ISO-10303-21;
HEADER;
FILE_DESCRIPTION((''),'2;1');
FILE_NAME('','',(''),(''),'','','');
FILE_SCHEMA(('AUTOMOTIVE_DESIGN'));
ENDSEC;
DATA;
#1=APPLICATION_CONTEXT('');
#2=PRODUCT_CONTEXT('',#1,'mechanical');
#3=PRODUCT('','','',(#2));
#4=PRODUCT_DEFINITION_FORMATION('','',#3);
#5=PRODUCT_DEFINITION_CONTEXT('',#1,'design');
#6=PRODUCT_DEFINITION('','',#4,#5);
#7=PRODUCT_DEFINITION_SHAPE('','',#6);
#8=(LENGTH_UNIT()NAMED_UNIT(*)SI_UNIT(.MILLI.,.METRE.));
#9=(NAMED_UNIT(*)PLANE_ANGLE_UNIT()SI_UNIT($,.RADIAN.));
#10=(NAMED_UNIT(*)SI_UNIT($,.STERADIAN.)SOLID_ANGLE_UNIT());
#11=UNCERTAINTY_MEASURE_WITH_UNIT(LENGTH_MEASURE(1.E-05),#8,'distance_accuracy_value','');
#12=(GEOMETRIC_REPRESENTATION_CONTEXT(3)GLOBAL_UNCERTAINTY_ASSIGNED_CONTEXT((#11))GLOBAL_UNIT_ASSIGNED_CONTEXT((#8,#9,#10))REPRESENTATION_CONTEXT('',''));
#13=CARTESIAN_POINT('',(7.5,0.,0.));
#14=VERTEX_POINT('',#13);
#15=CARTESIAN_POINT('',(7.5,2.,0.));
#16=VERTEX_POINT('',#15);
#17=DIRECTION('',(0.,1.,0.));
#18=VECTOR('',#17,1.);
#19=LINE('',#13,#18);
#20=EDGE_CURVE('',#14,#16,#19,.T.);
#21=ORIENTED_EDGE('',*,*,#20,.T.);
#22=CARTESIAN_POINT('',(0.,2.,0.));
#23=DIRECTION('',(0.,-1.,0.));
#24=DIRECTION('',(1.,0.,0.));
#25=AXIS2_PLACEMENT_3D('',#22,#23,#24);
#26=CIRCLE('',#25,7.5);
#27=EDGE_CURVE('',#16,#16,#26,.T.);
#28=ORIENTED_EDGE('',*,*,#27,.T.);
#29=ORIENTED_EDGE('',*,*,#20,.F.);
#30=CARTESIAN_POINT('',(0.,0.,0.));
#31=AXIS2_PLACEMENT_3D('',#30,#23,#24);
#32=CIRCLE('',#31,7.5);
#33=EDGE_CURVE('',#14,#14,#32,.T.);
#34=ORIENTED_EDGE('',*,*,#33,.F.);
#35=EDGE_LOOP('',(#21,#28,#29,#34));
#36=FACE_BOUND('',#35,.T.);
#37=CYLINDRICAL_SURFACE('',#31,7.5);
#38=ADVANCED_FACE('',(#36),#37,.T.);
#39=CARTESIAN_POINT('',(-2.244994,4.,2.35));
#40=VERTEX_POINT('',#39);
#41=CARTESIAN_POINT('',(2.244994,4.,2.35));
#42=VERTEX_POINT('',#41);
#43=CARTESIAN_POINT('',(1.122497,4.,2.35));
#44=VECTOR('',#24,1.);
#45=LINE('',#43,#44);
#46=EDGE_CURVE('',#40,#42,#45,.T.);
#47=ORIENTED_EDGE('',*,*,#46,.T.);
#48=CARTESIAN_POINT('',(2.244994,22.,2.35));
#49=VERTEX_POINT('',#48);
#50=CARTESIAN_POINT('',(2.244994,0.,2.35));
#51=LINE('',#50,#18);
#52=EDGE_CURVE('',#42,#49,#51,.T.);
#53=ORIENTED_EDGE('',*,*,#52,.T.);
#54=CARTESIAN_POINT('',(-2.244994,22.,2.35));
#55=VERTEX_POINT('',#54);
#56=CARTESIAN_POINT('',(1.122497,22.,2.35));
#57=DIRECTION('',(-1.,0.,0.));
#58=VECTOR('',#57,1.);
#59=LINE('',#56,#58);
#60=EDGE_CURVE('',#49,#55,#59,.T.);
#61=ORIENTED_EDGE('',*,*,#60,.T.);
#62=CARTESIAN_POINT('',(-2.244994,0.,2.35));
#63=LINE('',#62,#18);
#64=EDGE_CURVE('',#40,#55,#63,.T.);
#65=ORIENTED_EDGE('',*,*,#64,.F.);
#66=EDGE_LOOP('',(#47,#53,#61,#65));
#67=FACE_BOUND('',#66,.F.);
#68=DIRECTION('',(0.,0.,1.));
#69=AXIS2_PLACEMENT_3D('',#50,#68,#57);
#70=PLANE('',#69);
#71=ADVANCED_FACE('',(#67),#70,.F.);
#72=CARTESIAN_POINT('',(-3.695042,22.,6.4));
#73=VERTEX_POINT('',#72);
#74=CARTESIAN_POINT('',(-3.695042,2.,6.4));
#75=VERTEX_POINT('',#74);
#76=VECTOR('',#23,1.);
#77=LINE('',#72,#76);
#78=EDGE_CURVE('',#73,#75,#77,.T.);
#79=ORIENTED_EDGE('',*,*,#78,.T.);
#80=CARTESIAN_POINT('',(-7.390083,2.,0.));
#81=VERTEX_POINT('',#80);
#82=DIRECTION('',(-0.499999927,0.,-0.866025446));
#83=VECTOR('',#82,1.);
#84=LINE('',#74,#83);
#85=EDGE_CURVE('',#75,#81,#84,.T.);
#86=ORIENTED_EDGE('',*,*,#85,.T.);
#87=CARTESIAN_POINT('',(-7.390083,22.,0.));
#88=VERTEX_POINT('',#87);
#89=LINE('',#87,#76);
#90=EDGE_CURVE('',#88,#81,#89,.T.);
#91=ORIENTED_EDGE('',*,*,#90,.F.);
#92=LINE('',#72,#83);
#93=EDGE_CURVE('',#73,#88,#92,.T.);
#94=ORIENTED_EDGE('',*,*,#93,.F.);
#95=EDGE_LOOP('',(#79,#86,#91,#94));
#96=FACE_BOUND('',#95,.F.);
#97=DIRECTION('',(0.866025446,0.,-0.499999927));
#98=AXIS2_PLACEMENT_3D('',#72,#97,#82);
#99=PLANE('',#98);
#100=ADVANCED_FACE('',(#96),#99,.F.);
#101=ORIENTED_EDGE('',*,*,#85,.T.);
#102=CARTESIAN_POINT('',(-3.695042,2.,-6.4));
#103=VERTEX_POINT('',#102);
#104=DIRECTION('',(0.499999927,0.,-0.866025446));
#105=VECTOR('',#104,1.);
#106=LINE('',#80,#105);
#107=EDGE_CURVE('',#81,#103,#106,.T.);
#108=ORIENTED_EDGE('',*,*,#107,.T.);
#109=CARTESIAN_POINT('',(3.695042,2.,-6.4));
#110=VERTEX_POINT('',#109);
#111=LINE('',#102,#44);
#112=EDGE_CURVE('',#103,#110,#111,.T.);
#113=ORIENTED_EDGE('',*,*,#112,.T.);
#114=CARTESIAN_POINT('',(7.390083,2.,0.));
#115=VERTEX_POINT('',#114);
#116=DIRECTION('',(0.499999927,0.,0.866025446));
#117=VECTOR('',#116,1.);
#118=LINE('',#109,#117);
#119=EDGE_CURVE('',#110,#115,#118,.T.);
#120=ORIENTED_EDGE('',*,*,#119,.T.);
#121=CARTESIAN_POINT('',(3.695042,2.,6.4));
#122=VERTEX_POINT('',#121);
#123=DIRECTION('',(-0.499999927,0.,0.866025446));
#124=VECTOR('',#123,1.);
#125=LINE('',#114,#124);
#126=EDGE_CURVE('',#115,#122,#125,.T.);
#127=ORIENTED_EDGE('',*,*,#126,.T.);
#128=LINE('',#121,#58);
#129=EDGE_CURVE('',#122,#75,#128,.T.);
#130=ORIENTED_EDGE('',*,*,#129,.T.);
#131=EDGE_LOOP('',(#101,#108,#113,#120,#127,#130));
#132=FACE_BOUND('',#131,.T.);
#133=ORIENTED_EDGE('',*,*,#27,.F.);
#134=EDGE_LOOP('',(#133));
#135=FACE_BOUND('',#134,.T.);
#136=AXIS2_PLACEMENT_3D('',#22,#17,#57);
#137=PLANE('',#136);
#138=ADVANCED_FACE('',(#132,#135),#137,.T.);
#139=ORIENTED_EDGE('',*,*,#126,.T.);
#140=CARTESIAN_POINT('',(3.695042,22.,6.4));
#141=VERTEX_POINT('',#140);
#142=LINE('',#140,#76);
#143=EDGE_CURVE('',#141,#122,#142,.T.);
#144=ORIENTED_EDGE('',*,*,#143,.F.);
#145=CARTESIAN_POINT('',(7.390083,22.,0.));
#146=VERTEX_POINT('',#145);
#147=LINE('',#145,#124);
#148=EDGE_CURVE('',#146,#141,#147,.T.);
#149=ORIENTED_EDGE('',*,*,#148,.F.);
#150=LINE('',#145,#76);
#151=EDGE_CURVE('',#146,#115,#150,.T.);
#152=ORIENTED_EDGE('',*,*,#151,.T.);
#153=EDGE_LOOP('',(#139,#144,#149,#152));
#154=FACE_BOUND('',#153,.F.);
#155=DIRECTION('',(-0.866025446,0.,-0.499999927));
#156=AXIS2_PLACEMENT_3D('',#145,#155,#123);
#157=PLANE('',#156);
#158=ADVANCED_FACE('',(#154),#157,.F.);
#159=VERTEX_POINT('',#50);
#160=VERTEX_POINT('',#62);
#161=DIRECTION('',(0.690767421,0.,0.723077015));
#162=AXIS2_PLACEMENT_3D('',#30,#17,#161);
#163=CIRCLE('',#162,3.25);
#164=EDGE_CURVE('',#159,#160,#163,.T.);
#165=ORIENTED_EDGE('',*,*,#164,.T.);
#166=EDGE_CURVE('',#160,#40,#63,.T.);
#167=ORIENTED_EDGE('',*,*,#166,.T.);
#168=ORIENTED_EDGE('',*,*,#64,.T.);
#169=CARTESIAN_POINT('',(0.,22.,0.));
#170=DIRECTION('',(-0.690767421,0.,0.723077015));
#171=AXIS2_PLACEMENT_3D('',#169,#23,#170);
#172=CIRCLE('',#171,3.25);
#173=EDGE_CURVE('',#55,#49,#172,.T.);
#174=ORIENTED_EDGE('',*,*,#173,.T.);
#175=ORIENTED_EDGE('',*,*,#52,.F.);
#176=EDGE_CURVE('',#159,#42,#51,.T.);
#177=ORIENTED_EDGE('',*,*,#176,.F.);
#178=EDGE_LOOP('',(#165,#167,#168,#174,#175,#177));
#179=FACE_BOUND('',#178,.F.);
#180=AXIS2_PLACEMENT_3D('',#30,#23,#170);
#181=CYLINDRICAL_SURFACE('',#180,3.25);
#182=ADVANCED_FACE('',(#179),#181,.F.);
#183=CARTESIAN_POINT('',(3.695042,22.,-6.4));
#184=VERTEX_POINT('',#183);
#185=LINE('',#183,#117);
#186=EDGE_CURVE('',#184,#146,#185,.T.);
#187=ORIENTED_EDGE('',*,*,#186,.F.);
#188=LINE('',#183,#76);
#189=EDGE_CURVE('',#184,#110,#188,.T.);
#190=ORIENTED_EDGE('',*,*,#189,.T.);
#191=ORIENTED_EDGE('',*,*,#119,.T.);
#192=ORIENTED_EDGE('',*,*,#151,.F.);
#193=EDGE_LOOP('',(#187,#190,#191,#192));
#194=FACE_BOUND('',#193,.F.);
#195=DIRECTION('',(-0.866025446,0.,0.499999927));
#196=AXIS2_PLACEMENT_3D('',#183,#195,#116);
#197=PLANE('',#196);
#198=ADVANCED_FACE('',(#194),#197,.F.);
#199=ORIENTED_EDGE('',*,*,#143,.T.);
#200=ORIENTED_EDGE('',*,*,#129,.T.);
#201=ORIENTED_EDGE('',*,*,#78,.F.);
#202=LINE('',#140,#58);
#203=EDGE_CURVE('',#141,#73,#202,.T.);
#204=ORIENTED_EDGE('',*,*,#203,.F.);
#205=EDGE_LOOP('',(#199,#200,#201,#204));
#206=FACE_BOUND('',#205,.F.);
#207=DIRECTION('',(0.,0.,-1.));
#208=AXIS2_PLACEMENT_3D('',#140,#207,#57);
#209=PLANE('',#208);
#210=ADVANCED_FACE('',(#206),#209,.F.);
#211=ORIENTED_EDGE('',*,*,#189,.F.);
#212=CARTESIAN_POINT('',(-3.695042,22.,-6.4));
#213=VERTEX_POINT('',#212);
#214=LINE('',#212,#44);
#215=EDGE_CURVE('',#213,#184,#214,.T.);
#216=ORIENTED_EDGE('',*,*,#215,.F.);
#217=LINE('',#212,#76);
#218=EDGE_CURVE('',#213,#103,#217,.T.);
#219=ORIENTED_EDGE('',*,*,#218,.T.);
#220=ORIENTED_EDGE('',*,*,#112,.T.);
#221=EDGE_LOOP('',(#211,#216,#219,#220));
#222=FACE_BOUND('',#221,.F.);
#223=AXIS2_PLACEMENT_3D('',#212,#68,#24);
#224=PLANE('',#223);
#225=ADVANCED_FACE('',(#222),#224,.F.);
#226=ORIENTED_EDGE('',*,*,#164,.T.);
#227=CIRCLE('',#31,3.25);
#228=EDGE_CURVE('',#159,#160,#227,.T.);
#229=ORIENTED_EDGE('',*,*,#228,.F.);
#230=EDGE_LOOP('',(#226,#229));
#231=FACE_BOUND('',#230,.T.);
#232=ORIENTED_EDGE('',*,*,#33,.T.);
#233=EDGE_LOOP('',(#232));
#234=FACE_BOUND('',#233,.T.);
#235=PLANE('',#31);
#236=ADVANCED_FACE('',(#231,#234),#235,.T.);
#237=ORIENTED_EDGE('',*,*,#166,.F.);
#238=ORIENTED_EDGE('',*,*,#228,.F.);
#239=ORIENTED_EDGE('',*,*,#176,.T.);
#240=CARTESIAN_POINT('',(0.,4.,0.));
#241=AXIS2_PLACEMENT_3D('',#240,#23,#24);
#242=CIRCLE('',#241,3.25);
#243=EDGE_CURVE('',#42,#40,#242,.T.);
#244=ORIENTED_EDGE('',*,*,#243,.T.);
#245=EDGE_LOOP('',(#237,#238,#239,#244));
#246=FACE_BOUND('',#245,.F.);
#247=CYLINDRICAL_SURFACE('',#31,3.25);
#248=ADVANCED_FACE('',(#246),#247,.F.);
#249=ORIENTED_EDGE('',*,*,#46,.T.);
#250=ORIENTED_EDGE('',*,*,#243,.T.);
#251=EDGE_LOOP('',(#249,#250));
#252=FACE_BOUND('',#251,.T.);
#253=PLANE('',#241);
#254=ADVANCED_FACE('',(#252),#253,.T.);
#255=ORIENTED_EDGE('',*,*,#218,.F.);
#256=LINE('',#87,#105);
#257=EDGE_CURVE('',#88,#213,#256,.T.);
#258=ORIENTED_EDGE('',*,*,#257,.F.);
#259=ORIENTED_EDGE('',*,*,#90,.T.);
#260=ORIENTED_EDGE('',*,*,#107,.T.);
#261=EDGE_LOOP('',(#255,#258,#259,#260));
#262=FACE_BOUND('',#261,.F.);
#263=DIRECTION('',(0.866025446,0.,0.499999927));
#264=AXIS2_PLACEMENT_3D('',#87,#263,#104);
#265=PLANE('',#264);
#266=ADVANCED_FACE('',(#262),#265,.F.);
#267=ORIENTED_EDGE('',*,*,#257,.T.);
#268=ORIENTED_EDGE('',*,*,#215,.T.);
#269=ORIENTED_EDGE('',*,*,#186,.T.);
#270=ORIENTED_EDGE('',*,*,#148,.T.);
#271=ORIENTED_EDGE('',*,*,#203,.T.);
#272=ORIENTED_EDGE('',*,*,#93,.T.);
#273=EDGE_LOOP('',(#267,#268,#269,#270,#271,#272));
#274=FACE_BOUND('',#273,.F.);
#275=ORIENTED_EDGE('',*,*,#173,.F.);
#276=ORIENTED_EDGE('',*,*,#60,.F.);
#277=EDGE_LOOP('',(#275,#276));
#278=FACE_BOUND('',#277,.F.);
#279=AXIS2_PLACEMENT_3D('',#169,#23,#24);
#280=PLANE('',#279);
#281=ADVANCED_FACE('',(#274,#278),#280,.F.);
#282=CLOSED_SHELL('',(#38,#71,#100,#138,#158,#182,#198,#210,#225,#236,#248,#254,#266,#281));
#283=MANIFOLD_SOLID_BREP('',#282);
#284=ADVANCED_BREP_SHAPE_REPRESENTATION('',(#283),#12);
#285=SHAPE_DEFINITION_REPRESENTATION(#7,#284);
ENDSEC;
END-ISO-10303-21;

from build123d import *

# Parameters (mm, degrees)
F0_R     = 7.5
F1_DEPTH = 22
F2_R     = 8
F3_DEPTH = 20
F5_DEPTH = 22.001
F6_R     = 3.25
F7_DEPTH = 4


with BuildPart() as f1:
    # F0 (on Front) → F1 (new body)
    with BuildSketch(Plane.XZ):
        Circle(F0_R)
    extrude(amount=-F1_DEPTH)

    # F2 (on face) → F3 (cut)
    with BuildSketch(Plane(origin=(0, 22, 0), x_dir=(-1, 0, 0), z_dir=(0, 1, 0))):
        Circle(F2_R)
        Polygon((3.695042, 6.4), (7.390083, 0), (3.695042, -6.4), (-3.695042, -6.4), (-7.390083, 0), (-3.695042, 6.4), align=None, mode=Mode.SUBTRACT)
    extrude(amount=-F3_DEPTH, mode=Mode.SUBTRACT)

    # F4 (on face) → F5 (cut, through all)
    with BuildSketch(Plane.XZ):
        with BuildLine():
            Line((2.244994, 2.35), (-2.244994, 2.35))
            ThreePointArc((-2.244994, 2.35), (0, -3.25), (2.244994, 2.35))
        make_face()
    extrude(amount=-F5_DEPTH, mode=Mode.SUBTRACT)

    # F6 (on face) → F7 (cut)
    with BuildSketch(Plane.XZ):
        Circle(F6_R)
    extrude(amount=-F7_DEPTH, mode=Mode.SUBTRACT)


solid = f1.part
